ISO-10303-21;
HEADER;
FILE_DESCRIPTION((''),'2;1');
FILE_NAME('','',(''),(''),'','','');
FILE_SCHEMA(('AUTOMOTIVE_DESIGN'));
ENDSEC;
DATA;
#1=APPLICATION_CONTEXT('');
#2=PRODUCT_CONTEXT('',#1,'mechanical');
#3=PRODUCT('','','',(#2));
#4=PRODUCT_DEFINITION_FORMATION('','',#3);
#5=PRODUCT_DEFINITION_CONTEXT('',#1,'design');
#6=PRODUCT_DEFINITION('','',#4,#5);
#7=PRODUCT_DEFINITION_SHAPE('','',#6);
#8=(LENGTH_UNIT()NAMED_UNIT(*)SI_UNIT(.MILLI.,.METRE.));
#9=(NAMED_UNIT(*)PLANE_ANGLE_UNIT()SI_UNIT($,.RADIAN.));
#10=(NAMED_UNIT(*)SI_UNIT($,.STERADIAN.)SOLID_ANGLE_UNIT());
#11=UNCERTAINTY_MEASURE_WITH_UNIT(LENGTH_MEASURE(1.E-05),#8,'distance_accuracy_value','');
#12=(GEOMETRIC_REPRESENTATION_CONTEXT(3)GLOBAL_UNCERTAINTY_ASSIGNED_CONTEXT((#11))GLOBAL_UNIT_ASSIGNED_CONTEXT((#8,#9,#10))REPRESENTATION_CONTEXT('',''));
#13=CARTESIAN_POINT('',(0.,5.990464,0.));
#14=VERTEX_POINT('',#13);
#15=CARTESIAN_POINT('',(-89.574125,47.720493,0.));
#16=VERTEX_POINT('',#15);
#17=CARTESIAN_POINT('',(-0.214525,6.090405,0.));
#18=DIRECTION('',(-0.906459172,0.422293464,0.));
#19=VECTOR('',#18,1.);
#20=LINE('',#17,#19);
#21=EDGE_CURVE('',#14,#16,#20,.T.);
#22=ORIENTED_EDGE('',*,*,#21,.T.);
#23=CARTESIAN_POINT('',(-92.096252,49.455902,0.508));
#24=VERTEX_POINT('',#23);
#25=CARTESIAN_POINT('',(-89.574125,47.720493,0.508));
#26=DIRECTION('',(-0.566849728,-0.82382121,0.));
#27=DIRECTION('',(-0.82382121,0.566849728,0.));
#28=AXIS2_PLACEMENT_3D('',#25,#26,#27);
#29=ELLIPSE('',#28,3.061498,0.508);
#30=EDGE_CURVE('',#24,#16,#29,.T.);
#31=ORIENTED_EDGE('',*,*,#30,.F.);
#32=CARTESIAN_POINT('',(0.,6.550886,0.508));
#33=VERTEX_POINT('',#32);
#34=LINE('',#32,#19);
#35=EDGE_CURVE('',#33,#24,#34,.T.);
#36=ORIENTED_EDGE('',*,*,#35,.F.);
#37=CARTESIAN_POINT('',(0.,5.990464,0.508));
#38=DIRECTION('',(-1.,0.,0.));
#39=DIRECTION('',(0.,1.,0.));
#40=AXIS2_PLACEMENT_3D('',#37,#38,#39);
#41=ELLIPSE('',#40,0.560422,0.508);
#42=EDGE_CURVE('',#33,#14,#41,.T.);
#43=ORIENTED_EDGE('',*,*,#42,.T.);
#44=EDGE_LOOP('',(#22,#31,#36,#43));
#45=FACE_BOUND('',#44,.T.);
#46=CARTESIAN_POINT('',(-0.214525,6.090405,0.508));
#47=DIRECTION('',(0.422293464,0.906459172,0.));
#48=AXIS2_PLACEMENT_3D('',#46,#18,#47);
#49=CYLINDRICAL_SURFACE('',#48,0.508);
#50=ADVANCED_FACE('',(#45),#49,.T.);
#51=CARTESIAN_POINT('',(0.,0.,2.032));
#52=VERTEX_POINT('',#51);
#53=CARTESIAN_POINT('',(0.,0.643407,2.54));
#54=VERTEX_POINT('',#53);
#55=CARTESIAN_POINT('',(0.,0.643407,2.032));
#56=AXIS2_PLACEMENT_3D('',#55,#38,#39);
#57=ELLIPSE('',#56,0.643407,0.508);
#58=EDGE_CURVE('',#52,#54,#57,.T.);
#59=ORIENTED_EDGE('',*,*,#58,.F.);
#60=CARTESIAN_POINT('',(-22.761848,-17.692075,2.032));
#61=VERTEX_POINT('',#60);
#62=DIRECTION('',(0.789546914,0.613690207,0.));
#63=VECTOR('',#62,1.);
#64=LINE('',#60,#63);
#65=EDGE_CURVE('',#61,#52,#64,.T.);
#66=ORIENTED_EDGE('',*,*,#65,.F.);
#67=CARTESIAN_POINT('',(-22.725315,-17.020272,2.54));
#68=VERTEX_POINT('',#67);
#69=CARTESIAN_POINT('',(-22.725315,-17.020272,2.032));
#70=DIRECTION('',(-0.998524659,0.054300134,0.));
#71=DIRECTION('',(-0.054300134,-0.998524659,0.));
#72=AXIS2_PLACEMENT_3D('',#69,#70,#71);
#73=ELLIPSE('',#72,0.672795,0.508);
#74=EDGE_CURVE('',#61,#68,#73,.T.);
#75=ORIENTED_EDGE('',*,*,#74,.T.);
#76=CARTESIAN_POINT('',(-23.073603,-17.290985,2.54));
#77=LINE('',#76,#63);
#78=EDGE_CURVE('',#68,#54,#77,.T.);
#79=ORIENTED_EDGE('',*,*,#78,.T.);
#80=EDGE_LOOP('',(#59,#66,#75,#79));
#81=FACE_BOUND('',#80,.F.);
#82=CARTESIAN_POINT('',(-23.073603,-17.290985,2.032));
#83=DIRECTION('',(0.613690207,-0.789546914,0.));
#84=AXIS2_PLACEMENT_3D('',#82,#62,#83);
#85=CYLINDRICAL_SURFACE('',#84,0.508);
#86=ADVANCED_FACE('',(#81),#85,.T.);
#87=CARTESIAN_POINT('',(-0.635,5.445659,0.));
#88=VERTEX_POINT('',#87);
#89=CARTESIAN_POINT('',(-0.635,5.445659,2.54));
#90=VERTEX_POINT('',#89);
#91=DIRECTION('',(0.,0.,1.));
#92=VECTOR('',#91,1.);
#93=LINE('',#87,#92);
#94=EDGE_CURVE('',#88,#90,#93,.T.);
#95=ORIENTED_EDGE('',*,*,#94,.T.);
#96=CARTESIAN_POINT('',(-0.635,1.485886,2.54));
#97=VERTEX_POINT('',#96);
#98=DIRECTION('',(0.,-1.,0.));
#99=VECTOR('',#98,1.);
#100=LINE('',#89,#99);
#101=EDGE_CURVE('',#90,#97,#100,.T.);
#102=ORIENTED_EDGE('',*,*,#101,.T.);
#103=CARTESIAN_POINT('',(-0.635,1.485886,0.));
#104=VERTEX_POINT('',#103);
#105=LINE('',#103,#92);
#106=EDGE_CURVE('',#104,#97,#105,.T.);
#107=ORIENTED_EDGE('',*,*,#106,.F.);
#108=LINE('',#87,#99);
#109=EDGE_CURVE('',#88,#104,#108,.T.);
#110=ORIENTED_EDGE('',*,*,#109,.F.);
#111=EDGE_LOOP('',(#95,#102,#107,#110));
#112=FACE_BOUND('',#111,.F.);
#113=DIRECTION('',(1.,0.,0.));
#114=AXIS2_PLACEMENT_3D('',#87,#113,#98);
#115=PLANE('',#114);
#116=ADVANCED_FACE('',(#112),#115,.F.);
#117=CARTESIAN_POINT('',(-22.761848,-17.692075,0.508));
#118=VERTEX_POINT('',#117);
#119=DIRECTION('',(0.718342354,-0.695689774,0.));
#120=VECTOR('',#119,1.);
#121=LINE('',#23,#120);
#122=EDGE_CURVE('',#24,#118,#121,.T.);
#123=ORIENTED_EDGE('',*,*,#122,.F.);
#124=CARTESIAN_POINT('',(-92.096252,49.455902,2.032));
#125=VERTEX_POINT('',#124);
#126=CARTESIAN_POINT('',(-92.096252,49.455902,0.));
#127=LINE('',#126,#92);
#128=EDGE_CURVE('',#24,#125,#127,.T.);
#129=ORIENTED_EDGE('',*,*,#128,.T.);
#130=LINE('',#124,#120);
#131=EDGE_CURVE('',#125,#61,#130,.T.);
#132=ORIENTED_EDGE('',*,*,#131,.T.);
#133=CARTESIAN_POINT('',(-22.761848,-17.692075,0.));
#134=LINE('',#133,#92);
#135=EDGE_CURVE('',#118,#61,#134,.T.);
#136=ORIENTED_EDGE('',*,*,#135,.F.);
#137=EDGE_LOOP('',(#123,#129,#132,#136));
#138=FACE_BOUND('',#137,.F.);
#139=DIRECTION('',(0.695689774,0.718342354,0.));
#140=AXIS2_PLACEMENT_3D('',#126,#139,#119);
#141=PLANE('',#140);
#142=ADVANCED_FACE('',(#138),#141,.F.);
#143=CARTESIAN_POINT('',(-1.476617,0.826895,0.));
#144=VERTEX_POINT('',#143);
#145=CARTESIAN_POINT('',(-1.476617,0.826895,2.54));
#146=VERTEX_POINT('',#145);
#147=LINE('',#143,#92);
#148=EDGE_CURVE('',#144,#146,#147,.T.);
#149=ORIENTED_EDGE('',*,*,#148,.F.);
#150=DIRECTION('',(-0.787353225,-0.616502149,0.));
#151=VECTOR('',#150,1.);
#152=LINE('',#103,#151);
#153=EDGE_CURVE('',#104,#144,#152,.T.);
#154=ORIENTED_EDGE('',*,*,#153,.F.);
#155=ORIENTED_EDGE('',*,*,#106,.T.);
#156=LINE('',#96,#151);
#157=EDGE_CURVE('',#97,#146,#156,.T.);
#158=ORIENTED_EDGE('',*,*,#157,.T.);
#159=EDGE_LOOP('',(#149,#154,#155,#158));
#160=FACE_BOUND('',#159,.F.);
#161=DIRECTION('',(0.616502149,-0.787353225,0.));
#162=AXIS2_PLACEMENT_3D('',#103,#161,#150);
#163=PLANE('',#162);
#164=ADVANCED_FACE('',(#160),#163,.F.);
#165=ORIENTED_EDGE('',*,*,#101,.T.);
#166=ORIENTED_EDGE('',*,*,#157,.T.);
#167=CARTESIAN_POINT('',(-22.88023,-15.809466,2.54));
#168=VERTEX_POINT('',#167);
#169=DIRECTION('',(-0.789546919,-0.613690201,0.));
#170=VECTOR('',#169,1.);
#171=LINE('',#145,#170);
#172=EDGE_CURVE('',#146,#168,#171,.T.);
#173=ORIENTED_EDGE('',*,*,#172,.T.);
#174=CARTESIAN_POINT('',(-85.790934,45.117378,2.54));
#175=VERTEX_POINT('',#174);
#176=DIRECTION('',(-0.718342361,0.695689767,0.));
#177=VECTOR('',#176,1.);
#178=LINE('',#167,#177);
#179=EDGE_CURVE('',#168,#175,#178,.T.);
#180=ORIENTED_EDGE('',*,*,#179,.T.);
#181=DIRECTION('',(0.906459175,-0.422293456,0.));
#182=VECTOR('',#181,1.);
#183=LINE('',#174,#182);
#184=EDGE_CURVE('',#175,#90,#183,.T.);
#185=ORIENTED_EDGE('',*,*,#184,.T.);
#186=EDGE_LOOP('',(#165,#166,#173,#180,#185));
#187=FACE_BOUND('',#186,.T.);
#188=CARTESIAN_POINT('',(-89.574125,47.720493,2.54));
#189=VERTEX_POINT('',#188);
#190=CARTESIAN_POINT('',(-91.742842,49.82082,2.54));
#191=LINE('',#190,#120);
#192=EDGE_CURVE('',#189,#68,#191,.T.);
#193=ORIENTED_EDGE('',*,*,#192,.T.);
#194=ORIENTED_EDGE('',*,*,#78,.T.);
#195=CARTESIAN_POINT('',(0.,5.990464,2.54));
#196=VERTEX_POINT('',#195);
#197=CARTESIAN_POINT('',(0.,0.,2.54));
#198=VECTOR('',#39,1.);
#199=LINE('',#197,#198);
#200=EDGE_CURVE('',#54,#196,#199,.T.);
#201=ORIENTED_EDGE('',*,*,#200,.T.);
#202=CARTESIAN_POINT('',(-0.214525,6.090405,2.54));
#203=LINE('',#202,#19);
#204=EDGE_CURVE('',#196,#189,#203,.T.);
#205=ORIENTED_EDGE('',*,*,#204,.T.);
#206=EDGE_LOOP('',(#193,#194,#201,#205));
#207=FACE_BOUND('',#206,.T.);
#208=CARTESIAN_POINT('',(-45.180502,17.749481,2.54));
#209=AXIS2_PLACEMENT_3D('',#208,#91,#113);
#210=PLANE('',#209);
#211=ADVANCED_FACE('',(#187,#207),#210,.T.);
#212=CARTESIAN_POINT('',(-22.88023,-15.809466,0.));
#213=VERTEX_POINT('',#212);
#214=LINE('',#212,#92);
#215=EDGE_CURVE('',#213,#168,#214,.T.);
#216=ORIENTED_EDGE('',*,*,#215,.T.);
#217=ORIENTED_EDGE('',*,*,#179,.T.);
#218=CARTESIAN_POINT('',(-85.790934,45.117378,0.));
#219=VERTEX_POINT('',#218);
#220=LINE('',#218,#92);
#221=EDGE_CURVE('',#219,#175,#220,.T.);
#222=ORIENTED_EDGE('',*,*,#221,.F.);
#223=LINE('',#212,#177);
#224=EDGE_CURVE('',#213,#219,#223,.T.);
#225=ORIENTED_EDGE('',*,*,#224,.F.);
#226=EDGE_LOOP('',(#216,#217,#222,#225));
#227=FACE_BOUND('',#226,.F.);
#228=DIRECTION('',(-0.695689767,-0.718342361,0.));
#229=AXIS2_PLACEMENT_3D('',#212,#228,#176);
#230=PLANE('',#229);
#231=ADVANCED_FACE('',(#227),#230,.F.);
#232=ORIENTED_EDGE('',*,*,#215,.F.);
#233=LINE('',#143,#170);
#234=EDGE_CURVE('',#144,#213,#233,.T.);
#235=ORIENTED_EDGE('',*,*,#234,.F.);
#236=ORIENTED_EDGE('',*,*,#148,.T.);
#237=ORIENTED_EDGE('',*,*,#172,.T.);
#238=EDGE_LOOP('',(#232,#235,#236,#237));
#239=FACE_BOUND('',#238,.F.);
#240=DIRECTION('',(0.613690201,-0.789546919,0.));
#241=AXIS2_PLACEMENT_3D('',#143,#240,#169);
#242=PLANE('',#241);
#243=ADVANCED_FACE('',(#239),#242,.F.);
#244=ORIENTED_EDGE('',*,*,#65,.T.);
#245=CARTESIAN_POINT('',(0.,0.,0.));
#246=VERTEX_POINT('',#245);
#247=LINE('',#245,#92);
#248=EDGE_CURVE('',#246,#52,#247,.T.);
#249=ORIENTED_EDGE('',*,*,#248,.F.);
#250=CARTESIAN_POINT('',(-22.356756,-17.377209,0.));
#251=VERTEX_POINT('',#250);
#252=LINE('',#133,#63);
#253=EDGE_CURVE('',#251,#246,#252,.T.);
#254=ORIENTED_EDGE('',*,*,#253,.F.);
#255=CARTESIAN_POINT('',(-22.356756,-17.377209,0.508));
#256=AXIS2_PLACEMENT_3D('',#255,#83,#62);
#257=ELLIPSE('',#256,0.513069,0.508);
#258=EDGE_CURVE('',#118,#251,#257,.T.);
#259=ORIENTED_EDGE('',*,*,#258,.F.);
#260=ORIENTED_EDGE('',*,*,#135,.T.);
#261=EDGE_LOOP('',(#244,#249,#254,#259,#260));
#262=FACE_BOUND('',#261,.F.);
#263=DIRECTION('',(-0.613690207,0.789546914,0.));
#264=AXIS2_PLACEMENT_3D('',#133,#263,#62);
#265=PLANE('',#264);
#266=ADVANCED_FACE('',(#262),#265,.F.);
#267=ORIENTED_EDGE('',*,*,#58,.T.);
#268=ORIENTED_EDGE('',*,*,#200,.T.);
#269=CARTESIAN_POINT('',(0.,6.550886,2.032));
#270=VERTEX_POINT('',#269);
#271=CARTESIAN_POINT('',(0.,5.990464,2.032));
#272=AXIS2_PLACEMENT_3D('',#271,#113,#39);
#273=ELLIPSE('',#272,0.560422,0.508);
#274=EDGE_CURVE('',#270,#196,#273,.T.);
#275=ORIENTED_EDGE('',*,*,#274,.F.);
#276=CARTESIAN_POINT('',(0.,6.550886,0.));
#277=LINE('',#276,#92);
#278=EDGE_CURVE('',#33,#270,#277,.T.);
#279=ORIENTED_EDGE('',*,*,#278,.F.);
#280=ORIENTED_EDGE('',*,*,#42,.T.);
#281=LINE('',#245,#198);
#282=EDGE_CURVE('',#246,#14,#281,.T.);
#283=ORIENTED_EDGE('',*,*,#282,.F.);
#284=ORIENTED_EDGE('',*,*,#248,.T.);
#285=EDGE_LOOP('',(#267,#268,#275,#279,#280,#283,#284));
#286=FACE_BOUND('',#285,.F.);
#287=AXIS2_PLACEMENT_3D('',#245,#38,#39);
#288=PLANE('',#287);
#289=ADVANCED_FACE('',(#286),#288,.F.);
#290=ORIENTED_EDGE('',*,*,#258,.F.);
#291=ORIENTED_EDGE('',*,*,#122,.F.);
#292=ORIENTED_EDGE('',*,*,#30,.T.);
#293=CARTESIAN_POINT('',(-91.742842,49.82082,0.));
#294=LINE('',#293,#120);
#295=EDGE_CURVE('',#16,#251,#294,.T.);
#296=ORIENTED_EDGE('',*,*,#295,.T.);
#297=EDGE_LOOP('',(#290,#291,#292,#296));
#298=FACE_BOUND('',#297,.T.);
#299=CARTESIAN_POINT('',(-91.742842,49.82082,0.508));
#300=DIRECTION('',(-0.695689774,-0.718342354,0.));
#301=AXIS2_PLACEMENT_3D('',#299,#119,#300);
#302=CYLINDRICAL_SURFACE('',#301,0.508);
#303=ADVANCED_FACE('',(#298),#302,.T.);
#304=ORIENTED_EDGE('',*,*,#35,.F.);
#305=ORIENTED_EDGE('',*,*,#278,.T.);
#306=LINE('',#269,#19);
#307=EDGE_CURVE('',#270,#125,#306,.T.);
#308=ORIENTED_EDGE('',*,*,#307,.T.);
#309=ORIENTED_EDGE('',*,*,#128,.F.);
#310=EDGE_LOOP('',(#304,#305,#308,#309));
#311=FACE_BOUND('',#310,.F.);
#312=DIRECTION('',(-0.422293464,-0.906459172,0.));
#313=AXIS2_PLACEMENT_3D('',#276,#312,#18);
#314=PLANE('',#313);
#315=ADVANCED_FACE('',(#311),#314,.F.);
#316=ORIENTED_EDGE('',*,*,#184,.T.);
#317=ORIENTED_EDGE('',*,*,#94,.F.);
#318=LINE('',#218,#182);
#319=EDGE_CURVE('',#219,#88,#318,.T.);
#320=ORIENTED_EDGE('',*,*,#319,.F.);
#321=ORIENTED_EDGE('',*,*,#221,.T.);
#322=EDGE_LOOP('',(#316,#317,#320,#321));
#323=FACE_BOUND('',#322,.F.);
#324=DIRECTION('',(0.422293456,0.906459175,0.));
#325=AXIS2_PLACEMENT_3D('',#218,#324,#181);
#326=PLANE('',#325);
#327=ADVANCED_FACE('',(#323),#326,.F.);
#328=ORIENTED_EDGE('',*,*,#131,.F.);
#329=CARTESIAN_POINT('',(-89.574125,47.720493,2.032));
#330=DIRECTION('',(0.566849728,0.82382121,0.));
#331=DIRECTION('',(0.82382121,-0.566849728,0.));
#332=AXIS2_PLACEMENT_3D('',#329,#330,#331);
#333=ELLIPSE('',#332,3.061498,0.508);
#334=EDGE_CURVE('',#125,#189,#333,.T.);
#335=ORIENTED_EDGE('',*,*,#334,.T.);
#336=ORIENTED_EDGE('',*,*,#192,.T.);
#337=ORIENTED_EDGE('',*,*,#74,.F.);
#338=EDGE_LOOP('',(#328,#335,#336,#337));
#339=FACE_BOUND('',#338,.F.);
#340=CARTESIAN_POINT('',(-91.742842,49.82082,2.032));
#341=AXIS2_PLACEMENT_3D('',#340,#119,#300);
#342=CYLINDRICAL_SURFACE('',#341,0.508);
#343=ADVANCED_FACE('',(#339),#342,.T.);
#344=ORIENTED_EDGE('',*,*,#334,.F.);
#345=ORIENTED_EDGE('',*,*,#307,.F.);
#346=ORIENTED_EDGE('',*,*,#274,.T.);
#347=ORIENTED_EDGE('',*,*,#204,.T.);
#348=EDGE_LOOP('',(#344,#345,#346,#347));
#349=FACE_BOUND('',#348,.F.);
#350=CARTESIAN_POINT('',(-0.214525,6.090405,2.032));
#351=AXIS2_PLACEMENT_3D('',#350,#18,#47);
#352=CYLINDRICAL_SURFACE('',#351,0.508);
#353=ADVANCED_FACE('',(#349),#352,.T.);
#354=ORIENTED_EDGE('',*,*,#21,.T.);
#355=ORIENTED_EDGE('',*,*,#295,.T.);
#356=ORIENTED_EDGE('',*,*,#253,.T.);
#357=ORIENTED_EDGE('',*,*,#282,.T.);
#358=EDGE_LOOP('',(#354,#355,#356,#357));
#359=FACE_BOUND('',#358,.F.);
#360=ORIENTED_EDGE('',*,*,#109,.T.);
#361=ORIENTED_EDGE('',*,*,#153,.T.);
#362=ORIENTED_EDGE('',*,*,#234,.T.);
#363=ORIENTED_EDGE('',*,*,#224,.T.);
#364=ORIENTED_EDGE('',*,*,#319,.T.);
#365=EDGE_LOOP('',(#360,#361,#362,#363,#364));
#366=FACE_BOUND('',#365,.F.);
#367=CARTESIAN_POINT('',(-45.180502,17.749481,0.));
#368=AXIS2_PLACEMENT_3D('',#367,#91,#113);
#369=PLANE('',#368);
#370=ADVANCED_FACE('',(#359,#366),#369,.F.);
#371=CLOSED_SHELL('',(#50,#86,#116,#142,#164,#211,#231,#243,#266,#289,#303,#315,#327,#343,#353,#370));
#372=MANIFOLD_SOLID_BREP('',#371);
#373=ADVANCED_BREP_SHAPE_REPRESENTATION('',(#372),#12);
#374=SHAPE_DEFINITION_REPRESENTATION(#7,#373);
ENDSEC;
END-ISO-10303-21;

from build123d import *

# Parameters (mm, degrees)
F1_DEPTH = 2.54
F2_R     = 0.508


with BuildPart() as f1:
    # F0 (on Top) → F1 (new body)
    with BuildSketch(Plane.XY):
        Polygon((-22.761848, -17.692075), (0, 0), (0, 6.550886), (-92.096252, 49.455902), align=None)
        Polygon((-85.790934, 45.117378), (-0.635, 5.445659), (-0.635, 1.485886), (-1.476617, 0.826895), (-22.88023, -15.809466), align=None, mode=Mode.SUBTRACT)
    extrude(amount=F1_DEPTH)

    # F2
    f2_edges = [f1.edges().sort_by_distance(p)[0] for p in [
        (-57.42905, 15.881913, 2.54),
        (-11.380924, -8.846038, 2.54),
        (-46.048126, 28.003394, 2.54),
        (-46.048126, 28.003394, 0),
        (-57.42905, 15.881913, 0),
    ]]
    fillet(f2_edges, radius=F2_R)


solid = f1.part
